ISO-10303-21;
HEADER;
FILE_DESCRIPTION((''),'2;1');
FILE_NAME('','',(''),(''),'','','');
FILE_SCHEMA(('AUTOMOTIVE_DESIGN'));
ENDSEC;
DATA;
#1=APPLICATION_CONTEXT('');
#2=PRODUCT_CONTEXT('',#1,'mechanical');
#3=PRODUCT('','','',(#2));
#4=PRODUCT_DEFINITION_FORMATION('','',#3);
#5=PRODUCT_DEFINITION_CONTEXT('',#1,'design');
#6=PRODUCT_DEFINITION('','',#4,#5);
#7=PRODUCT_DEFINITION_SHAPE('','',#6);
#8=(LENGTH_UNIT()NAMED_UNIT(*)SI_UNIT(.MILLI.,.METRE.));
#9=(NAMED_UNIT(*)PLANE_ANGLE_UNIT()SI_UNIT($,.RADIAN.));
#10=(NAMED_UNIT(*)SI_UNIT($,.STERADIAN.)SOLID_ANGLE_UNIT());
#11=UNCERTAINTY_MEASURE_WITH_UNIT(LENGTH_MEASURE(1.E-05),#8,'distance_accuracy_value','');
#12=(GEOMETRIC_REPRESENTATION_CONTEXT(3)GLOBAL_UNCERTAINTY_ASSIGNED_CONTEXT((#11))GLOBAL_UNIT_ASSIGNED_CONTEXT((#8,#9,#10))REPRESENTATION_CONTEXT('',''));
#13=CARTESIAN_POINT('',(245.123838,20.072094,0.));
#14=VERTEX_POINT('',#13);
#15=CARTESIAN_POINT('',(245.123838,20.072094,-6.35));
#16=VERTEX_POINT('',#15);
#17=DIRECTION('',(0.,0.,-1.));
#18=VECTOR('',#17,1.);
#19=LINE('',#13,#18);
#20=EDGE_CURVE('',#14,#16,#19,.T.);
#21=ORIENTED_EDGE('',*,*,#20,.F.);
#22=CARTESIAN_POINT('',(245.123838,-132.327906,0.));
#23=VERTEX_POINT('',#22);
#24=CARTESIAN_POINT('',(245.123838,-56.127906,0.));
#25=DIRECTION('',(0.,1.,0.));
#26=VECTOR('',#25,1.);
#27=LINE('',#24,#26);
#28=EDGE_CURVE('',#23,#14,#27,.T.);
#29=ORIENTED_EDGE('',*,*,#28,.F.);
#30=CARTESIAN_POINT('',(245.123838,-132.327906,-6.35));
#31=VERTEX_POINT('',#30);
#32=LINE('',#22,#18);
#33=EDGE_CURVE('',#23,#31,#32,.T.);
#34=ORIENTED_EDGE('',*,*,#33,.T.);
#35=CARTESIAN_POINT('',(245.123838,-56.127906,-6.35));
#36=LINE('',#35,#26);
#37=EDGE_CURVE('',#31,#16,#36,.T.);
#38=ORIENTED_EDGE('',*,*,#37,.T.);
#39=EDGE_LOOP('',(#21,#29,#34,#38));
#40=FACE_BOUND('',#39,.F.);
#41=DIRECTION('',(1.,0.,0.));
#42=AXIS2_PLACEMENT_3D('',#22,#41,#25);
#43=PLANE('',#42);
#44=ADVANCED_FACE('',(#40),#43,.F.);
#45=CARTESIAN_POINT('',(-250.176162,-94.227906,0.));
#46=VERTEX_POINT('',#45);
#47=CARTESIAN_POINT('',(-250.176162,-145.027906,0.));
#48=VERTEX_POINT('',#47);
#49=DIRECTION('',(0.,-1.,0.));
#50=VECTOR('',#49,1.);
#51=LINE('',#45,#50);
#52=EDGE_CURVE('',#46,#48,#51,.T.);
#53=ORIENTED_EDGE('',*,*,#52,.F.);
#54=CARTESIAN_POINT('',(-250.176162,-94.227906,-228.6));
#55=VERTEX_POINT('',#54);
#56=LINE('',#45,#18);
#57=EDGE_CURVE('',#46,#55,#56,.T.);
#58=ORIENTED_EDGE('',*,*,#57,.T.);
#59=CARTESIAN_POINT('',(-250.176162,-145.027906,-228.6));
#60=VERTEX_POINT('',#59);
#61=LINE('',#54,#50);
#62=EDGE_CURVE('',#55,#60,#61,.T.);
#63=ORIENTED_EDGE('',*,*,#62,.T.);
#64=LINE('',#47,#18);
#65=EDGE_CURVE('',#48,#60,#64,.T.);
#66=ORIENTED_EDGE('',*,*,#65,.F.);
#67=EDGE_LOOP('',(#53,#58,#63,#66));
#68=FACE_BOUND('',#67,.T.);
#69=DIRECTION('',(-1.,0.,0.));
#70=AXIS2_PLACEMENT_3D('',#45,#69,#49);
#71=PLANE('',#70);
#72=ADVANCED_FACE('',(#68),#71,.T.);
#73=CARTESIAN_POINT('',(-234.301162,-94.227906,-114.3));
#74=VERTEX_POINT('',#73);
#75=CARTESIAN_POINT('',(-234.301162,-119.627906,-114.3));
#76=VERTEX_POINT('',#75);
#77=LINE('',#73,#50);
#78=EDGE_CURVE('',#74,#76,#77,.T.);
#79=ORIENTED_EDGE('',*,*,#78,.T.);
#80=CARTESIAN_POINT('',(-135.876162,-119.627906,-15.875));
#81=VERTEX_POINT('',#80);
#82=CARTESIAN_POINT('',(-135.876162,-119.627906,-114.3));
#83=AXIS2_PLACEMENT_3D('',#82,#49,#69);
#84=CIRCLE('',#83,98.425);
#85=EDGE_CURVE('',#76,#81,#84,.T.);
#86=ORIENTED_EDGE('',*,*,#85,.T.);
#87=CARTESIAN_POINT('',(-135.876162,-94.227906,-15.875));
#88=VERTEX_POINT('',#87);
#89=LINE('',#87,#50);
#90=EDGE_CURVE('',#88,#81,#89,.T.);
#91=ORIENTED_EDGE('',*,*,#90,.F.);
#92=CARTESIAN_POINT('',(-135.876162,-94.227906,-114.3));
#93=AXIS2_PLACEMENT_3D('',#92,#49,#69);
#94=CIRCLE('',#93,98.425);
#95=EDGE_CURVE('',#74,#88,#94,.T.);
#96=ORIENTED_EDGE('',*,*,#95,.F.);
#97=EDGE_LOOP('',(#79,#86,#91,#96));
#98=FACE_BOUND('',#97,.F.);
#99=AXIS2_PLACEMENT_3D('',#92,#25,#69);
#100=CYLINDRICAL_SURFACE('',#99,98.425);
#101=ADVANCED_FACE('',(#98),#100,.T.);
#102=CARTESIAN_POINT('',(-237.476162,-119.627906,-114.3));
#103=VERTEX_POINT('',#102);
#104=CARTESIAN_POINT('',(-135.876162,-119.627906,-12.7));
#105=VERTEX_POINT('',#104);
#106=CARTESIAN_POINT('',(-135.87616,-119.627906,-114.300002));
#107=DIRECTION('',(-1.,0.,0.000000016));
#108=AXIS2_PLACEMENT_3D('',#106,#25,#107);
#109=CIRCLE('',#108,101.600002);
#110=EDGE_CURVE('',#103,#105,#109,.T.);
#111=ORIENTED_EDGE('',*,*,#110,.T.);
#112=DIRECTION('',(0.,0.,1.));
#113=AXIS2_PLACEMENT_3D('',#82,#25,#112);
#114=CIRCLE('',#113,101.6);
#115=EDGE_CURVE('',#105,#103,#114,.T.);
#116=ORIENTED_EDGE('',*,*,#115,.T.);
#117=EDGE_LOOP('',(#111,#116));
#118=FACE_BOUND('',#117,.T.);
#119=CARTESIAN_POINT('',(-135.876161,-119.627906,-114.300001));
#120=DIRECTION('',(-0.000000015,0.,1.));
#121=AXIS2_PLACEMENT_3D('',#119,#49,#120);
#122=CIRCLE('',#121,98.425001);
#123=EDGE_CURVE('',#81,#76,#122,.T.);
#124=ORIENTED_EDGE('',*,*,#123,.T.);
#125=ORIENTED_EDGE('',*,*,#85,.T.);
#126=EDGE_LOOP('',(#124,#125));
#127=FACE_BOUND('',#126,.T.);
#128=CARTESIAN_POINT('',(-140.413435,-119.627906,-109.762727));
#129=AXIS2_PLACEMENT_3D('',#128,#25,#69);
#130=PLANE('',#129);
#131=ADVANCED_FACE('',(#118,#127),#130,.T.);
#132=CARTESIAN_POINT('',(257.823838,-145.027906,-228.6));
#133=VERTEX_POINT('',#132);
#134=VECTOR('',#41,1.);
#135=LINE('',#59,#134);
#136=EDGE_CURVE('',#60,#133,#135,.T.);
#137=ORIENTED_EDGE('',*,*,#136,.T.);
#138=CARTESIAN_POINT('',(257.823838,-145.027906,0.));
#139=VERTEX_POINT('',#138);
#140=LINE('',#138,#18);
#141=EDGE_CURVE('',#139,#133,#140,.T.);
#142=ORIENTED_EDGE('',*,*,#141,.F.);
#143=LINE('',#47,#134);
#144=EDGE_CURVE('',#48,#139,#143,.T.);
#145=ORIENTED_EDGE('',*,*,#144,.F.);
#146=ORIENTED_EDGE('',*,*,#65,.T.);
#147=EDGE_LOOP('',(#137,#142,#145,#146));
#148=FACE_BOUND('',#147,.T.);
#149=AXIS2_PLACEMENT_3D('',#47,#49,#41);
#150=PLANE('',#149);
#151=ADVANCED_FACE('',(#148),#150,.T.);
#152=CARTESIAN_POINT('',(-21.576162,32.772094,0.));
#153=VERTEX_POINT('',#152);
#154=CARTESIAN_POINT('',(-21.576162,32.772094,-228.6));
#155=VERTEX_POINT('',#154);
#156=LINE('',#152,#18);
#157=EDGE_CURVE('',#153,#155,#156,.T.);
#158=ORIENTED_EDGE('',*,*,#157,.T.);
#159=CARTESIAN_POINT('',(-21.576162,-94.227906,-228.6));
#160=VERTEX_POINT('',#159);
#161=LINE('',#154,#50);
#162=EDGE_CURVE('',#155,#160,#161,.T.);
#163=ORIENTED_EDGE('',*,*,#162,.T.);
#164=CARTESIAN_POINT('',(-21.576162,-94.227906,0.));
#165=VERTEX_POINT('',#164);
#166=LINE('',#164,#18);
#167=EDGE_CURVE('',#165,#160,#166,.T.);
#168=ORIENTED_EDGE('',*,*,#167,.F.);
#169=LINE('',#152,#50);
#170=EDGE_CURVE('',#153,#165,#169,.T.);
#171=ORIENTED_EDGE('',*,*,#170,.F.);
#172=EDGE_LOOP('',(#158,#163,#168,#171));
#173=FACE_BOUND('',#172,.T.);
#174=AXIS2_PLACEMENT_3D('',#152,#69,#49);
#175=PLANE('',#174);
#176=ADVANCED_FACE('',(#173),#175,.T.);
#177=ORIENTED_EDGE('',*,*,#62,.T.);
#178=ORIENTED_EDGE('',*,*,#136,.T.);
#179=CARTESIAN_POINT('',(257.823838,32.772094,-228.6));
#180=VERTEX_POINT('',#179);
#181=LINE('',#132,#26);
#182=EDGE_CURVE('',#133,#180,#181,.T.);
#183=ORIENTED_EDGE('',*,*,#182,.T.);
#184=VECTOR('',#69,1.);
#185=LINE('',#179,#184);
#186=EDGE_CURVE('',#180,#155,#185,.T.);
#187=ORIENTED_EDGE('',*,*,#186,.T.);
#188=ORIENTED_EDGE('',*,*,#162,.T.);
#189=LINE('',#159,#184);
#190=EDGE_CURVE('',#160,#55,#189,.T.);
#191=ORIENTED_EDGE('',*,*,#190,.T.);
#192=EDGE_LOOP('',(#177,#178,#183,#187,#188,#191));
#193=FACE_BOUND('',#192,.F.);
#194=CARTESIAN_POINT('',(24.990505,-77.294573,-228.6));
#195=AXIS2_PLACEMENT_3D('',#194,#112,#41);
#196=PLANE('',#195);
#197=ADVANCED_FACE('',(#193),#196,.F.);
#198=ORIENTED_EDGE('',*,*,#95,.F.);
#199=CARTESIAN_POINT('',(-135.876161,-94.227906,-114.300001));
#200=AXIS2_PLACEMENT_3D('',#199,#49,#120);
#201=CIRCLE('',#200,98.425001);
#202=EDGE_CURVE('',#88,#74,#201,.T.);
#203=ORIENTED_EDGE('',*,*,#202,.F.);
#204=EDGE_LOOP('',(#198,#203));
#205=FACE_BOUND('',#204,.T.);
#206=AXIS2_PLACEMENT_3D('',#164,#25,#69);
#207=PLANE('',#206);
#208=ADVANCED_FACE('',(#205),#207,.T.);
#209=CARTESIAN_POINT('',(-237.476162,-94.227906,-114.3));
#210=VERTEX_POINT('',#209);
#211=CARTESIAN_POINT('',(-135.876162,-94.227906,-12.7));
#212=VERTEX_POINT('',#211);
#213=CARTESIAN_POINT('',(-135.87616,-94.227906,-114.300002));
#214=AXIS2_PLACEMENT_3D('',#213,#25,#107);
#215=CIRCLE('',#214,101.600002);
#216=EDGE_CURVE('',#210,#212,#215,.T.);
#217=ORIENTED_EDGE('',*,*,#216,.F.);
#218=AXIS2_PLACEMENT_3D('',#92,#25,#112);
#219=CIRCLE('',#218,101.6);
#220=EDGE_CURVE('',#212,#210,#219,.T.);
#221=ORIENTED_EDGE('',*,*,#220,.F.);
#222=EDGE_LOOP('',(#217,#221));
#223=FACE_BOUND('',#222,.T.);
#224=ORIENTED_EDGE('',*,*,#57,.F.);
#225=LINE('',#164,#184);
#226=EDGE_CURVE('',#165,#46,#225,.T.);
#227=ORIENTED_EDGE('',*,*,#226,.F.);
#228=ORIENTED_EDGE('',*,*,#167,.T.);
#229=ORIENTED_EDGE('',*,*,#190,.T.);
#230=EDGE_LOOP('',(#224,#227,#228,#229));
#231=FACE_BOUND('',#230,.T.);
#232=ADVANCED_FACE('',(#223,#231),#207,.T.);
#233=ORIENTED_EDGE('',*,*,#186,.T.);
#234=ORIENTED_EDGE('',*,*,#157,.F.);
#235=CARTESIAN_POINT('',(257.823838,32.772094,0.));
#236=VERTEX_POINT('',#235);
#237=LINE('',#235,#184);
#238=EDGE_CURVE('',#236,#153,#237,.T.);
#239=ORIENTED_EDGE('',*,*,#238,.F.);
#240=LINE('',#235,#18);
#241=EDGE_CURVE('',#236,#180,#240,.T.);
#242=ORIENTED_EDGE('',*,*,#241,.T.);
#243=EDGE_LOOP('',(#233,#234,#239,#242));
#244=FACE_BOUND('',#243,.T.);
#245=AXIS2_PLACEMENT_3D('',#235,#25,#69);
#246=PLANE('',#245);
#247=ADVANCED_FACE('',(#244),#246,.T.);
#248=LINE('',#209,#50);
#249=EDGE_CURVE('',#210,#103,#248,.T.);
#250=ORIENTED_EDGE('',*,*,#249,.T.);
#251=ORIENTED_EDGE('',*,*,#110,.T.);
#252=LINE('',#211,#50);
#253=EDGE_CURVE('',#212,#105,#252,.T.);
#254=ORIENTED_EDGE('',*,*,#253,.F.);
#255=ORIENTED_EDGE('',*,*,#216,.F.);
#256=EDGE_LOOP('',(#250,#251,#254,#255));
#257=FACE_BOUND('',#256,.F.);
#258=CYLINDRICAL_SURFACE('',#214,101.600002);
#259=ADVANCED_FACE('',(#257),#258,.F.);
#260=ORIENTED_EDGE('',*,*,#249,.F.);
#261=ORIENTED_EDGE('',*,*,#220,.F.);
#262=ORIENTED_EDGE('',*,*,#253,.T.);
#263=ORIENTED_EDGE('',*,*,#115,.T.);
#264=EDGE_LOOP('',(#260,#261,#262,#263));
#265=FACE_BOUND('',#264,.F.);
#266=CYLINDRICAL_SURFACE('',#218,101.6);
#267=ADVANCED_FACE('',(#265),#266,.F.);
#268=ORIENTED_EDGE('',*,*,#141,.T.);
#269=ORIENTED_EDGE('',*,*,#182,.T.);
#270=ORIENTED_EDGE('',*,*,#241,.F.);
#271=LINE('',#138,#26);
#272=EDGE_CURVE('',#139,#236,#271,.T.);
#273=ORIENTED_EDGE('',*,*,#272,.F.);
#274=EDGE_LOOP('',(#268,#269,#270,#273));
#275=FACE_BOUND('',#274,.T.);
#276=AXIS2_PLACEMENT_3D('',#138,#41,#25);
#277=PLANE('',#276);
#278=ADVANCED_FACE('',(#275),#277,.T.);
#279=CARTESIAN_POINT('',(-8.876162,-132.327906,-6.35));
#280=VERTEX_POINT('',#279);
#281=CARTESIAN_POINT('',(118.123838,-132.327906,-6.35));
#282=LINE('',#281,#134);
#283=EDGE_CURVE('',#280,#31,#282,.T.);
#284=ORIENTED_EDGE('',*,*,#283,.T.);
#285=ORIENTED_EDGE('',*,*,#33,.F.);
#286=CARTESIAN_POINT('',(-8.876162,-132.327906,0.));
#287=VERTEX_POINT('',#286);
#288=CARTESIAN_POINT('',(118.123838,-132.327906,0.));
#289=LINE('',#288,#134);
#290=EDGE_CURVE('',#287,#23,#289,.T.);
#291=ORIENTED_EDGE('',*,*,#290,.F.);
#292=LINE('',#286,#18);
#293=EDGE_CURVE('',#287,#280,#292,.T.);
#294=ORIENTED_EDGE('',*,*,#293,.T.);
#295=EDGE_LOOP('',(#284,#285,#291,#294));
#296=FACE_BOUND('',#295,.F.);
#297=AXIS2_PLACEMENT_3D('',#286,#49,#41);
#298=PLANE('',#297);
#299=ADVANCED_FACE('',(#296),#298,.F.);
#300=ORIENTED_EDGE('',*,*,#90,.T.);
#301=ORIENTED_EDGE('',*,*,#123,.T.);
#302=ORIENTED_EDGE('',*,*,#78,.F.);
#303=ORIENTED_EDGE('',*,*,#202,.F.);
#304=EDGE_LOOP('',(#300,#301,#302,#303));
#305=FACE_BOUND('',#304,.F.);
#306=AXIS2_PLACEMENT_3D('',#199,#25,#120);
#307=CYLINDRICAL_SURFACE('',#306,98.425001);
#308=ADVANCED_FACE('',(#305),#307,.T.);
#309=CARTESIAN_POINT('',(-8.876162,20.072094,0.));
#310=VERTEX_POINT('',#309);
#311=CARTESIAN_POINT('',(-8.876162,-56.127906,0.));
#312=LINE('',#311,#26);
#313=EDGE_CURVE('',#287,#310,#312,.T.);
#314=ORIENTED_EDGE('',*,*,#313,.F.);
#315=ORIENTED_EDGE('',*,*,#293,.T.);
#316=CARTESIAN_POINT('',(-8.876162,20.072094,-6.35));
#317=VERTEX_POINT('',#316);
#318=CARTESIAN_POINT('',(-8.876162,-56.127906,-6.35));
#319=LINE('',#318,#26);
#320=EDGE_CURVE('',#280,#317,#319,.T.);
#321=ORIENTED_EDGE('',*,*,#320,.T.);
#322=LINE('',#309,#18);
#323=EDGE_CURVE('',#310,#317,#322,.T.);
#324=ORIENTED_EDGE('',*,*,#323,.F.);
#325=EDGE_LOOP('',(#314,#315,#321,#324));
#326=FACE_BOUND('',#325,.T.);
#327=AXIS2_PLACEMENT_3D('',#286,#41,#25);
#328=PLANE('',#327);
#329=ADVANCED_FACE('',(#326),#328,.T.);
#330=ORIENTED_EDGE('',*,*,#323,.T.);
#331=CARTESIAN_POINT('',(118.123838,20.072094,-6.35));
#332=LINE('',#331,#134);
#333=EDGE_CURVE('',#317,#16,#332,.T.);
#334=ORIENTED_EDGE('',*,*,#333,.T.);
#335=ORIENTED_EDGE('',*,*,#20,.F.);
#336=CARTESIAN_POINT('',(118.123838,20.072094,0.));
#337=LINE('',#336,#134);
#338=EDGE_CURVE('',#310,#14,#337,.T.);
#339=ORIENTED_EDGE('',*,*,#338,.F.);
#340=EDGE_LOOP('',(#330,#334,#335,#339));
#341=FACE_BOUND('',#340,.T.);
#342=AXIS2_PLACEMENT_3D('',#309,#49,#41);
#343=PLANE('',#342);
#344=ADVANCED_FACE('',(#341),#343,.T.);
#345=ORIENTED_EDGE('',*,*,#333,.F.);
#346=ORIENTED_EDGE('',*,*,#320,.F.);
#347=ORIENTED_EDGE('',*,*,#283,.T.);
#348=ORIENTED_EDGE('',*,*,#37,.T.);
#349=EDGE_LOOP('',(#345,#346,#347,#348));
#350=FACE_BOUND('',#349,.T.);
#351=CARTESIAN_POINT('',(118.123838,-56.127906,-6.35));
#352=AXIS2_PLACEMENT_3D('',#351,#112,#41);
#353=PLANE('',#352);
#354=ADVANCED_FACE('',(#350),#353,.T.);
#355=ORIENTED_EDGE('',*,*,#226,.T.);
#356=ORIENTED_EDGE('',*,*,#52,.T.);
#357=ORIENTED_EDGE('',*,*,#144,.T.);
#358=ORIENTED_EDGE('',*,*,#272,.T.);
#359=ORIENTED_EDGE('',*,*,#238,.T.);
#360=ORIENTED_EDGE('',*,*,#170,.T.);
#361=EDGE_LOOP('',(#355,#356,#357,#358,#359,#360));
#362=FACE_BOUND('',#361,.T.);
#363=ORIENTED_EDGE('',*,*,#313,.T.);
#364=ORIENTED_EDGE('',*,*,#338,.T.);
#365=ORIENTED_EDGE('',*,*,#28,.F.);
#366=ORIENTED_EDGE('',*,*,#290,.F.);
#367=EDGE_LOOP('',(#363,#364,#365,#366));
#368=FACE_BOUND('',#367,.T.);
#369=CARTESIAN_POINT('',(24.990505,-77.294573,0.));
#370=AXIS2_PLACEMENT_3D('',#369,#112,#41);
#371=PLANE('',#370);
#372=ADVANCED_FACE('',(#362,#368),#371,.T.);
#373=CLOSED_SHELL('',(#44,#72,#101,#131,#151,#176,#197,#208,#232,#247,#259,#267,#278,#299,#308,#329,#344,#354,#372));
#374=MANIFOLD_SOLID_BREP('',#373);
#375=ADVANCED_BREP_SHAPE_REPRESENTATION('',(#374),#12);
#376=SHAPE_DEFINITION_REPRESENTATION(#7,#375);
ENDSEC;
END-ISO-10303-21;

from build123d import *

# Parameters (mm, degrees)
F0_W     = 254
F0_H     = 152.4
F1_DEPTH = 228.6
F2_DEPTH = 6.35
F4_DEPTH = 25.4


with BuildPart() as f1:
    # F0 (on Top) → F1 (new body)
    with BuildSketch(Plane.XY):
        Polygon((257.823838, 32.772094), (-21.576162, 32.772094), (-21.576162, -94.227906), (-250.176162, -94.227906), (-250.176162, -145.027906), (257.823838, -145.027906), align=None)
        with Locations((118.123838, -56.127906)):
            Rectangle(F0_W, F0_H, mode=Mode.SUBTRACT)
        with Locations((118.123838, -56.127906)):
            Rectangle(F0_W, F0_H)
    extrude(amount=-F1_DEPTH)

    # F0 (on Top) → F2 (cut)
    with BuildSketch(Plane.XY):
        with Locations((118.123838, -56.127906)):
            Rectangle(F0_W, F0_H)
    extrude(amount=-F2_DEPTH, mode=Mode.SUBTRACT)

    # F3 (on face) → F4 (cut)
    with BuildSketch(Plane(origin=(0, -94.227906, 0), x_dir=(-1, 0, 0), z_dir=(0, 1, 0))):
        with BuildLine():
            ThreePointArc((237.476162, -114.3), (207.71821, -42.457951), (135.876162, -12.7))
            ThreePointArc((135.876162, -12.7), (64.034113, -186.142049), (237.476162, -114.3))
        make_face()
        with BuildLine():
            ThreePointArc((234.301162, -114.3), (66.279177, -183.896985), (135.876162, -15.875))
            ThreePointArc((135.876162, -15.875), (205.473146, -44.703015), (234.301162, -114.3))
        make_face(mode=Mode.SUBTRACT)
    extrude(amount=-F4_DEPTH, mode=Mode.SUBTRACT)


solid = f1.part
